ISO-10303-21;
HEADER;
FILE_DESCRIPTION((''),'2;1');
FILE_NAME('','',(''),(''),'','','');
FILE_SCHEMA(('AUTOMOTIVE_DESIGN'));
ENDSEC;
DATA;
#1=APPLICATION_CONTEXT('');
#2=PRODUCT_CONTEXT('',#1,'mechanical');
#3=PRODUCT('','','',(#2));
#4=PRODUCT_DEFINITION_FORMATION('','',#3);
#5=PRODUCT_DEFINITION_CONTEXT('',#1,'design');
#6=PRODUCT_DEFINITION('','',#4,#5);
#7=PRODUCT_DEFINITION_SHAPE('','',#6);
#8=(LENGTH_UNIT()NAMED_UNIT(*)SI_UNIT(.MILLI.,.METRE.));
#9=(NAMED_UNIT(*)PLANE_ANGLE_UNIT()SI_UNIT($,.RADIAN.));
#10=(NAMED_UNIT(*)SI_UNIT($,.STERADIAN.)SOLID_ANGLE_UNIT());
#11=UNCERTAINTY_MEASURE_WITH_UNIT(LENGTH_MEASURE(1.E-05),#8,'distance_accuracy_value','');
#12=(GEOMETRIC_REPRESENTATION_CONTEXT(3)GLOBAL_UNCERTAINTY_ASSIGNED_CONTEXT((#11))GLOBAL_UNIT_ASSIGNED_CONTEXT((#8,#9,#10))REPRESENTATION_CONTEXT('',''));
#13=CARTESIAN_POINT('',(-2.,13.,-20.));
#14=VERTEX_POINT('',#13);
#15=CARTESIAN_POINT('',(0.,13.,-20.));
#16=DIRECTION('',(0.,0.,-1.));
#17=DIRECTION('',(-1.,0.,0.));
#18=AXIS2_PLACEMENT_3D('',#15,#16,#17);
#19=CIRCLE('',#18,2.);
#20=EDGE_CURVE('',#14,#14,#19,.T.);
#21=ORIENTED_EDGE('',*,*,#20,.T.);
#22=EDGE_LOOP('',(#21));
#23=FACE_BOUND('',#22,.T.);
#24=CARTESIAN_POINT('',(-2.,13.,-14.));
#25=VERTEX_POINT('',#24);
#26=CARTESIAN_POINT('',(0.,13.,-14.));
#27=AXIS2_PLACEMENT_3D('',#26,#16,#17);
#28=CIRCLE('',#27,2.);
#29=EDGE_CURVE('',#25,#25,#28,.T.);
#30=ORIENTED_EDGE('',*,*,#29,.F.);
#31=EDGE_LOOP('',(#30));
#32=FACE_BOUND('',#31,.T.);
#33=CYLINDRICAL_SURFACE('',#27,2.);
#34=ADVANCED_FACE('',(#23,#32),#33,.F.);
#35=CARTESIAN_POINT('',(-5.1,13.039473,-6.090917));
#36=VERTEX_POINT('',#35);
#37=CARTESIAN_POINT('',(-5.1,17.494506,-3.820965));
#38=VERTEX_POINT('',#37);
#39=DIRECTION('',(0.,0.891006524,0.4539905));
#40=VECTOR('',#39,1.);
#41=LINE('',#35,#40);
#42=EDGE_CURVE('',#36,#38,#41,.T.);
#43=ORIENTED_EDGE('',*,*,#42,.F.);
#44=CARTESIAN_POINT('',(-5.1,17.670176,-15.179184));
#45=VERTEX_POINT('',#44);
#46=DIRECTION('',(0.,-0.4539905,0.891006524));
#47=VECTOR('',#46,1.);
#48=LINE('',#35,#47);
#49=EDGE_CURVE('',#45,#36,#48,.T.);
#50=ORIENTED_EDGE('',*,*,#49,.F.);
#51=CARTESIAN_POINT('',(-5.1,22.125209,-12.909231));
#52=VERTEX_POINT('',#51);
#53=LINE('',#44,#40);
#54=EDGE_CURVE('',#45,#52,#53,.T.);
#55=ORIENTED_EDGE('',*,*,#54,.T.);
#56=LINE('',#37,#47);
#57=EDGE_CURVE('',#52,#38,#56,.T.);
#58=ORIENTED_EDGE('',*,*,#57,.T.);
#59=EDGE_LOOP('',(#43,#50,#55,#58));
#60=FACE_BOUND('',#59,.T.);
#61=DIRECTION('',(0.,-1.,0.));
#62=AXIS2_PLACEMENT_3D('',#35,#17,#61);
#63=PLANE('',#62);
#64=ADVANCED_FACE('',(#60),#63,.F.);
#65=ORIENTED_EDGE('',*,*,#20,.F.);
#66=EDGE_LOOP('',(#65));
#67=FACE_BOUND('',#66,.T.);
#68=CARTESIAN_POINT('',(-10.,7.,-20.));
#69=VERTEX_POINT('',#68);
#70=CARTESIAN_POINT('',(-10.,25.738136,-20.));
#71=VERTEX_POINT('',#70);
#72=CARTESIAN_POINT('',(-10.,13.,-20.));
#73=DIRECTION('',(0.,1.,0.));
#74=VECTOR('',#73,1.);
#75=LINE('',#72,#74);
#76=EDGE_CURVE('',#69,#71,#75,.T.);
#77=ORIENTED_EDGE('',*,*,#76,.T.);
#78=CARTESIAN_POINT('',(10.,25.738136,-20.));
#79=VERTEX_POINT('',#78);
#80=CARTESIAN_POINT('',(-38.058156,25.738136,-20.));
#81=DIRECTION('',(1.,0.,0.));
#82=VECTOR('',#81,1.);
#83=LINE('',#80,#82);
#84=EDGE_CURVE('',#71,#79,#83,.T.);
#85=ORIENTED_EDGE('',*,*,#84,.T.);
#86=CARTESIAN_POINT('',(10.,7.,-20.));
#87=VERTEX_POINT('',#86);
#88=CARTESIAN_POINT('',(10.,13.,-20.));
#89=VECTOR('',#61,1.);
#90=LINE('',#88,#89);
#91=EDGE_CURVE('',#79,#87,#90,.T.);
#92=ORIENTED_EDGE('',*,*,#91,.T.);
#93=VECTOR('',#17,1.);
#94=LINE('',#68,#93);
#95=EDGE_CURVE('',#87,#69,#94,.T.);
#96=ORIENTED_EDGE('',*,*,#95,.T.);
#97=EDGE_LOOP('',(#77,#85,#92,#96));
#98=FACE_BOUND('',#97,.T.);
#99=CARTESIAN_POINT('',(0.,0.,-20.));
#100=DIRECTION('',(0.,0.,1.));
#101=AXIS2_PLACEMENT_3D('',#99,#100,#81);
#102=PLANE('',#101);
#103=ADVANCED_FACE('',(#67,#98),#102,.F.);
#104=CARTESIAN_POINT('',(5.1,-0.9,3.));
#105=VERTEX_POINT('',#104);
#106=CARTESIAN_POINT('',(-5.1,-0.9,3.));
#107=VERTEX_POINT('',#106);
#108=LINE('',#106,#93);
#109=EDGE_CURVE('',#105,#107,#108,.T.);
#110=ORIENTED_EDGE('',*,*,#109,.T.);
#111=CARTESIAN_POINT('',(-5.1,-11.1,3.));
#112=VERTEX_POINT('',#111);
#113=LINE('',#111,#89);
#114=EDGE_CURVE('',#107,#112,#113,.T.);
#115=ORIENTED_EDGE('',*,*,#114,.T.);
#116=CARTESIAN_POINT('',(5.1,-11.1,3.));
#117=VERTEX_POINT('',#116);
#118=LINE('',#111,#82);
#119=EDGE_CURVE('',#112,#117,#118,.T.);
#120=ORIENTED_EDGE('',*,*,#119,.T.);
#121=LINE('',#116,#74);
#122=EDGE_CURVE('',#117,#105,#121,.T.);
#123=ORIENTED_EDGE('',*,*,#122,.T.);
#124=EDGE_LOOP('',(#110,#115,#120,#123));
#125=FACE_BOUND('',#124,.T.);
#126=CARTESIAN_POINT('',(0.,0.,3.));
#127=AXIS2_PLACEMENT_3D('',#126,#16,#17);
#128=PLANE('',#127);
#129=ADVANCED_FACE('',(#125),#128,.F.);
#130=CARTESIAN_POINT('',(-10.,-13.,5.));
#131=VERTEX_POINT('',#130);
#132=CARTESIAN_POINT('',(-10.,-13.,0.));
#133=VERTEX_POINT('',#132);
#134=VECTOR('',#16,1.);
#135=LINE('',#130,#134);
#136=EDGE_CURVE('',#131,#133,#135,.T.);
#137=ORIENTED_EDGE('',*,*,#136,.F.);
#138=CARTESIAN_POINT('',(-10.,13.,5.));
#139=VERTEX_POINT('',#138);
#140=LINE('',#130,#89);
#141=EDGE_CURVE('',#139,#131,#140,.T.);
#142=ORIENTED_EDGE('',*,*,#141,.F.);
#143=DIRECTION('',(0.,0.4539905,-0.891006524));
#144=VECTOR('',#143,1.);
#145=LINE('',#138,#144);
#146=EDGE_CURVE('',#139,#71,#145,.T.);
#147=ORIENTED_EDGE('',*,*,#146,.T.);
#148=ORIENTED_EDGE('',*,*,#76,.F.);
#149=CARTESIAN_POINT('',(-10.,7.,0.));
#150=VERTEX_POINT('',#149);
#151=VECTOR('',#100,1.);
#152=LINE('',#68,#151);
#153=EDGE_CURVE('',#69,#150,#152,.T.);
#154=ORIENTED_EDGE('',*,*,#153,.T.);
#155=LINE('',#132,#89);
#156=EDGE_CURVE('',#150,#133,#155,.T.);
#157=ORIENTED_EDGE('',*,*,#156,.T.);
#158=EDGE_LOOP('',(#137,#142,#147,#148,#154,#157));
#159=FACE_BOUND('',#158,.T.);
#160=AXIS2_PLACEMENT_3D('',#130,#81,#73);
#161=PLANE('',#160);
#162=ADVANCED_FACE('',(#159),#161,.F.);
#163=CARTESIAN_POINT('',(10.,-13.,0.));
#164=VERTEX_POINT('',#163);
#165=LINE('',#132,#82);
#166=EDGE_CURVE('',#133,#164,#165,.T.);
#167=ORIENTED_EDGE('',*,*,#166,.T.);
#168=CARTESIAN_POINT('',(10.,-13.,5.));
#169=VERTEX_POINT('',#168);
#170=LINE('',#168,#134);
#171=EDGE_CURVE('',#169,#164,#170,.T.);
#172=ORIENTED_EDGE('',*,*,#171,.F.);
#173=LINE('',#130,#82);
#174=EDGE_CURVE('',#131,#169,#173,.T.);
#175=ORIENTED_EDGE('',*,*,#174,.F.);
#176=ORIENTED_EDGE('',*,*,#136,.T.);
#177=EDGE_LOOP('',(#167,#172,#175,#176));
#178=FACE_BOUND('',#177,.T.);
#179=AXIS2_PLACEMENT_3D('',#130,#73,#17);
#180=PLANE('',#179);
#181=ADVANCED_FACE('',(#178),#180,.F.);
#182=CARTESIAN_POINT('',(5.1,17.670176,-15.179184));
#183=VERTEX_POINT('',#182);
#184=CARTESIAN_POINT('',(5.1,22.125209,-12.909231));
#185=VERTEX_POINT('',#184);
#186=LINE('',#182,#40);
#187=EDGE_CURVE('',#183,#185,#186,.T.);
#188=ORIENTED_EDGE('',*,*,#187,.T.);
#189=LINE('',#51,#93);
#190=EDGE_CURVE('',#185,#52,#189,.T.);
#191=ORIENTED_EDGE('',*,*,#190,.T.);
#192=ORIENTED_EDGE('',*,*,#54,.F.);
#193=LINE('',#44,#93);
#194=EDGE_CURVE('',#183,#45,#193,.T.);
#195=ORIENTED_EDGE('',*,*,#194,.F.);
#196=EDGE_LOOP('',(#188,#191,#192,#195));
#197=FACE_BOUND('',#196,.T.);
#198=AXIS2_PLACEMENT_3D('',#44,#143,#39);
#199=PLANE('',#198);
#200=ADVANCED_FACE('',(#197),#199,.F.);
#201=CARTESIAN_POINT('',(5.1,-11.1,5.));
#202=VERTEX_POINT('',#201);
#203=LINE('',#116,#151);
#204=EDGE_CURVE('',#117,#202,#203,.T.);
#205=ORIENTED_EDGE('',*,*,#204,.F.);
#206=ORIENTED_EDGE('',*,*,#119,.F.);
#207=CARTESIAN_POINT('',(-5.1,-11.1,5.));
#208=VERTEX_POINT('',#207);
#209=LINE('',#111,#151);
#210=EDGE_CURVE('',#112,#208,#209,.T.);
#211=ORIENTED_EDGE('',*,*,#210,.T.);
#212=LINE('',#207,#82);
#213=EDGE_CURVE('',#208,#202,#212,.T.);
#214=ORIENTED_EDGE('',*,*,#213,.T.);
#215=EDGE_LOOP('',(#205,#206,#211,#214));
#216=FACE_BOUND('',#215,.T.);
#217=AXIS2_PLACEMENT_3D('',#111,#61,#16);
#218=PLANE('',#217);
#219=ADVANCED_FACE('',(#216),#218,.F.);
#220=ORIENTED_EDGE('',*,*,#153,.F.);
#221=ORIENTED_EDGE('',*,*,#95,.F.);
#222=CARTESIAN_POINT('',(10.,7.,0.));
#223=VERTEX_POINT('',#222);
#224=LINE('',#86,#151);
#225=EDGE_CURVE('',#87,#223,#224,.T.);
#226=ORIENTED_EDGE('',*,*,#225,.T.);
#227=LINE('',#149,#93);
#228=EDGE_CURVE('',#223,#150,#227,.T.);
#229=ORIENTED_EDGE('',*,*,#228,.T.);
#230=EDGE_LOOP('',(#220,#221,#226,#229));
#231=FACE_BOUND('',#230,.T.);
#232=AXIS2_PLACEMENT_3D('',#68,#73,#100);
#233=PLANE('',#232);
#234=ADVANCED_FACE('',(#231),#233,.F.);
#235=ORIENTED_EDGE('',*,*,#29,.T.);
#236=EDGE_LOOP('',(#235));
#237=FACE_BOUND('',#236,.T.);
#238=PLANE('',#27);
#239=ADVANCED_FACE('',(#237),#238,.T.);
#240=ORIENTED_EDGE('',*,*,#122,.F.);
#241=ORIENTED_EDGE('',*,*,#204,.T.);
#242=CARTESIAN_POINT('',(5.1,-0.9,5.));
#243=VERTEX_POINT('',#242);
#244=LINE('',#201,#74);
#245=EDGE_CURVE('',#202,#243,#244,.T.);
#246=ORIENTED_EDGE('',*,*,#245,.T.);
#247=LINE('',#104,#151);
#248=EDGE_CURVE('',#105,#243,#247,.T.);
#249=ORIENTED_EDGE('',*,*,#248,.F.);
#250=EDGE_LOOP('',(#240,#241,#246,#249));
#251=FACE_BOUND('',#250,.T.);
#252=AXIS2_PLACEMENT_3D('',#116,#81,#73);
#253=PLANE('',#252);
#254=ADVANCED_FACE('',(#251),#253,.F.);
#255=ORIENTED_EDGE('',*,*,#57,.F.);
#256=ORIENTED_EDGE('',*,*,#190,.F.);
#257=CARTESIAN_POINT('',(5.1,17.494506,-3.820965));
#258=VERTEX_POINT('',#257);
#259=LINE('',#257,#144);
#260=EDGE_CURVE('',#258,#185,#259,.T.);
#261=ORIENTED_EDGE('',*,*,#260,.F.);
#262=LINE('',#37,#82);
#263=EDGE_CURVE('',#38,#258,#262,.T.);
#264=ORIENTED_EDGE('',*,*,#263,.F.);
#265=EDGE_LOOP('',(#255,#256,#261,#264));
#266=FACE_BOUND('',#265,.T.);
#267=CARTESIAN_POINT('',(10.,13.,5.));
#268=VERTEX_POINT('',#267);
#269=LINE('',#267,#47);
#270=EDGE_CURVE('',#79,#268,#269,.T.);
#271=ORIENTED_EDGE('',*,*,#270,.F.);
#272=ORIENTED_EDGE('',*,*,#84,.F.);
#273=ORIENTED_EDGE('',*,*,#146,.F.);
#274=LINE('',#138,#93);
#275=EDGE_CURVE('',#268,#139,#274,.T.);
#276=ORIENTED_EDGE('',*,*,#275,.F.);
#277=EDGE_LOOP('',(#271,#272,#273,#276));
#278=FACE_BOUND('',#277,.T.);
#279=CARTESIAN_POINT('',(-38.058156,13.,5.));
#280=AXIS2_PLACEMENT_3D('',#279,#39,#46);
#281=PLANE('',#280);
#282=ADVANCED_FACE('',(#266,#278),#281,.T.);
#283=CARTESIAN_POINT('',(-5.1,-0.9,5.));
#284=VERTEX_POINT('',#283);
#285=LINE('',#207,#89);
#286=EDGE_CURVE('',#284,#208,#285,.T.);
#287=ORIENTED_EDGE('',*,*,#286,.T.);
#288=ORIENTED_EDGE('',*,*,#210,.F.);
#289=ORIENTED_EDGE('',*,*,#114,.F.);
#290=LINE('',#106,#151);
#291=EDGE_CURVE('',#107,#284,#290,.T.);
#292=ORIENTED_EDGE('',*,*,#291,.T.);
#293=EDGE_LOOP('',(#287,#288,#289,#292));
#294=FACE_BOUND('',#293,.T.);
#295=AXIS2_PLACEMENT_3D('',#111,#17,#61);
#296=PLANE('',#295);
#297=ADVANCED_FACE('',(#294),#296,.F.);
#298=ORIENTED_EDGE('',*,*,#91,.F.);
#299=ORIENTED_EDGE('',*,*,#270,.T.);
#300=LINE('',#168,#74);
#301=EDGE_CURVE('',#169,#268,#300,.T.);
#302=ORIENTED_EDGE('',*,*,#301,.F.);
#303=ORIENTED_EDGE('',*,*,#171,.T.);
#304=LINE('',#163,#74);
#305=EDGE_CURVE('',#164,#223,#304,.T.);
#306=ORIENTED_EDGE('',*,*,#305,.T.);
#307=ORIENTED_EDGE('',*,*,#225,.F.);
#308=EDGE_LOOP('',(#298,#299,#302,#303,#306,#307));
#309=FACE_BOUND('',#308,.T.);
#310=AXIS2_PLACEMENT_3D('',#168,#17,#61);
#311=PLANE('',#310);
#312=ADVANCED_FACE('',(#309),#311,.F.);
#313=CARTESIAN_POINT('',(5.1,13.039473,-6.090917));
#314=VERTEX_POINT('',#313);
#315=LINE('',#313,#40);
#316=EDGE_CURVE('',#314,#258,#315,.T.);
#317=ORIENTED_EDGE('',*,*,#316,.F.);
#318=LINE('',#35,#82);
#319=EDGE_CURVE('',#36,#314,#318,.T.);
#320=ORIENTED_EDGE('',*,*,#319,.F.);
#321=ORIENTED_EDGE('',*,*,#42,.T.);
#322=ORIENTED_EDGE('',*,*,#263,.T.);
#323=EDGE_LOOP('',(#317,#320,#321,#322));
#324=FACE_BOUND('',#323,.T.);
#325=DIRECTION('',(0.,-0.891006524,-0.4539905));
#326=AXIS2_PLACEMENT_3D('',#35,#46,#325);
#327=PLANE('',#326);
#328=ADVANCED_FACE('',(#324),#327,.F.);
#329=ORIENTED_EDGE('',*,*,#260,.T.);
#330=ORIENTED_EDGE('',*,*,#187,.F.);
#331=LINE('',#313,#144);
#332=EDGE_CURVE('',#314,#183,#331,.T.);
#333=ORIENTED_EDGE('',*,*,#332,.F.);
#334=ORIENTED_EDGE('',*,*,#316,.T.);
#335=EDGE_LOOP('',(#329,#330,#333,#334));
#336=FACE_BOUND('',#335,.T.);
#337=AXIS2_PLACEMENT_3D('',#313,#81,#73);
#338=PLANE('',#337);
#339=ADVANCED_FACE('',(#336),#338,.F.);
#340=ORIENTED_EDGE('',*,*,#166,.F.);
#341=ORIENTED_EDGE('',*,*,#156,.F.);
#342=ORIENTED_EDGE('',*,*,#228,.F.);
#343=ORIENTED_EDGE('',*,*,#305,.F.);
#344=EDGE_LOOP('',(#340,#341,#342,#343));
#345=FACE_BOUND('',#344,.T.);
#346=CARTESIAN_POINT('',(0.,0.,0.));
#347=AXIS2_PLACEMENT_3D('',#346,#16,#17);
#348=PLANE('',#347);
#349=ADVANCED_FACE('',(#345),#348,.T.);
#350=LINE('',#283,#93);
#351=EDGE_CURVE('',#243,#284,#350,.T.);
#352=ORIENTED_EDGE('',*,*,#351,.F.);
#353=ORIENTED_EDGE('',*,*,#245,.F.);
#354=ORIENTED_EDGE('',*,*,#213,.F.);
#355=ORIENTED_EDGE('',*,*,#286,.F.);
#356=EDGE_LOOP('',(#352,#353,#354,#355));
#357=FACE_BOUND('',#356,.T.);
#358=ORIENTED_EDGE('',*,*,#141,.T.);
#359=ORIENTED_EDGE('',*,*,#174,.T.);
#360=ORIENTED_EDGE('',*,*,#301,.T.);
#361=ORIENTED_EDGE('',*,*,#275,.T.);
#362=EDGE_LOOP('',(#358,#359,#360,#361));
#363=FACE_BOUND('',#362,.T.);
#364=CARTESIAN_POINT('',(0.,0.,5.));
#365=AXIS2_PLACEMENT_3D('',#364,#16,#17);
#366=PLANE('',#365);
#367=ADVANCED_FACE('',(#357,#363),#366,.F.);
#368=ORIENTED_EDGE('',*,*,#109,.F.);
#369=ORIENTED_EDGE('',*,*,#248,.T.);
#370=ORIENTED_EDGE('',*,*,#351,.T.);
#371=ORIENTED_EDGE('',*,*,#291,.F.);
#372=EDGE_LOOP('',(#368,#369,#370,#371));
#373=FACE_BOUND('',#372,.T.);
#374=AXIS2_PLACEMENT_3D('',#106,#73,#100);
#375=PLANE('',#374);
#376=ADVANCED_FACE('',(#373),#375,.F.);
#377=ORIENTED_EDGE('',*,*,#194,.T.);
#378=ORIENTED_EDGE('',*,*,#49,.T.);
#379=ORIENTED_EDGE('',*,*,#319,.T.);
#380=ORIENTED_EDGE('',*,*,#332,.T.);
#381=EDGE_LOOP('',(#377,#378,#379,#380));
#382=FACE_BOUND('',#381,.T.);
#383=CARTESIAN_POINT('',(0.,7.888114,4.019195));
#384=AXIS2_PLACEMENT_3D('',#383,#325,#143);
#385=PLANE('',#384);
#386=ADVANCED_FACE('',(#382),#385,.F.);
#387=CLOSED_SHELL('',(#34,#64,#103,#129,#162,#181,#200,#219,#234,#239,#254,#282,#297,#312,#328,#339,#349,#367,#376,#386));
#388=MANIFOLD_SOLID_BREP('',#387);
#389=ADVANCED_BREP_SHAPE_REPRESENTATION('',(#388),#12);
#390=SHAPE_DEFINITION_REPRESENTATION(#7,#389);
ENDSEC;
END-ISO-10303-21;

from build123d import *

# Parameters (mm, degrees)
SZKIC1_W                    = 20
SZKIC1_H                    = 26
DODANIE_WYCI_GNI_CIE1_DEPTH = 5
SZKIC2_W                    = 20
SZKIC2_H                    = 6
DODANIE_WYCI_GNI_CIE2_DEPTH = 20
SZKIC3_W                    = 10.2
SZKIC3_H                    = 10.2
WYTNIJ_WYCI_GNI_CIE1_DEPTH  = 2
DODANIE_WYCI_GNI_CIE3_DEPTH = 20
SZKIC5_W                    = 10.2
SZKIC5_H                    = 10.2
WYTNIJ_WYCI_GNI_CIE2_DEPTH  = 5
SZKIC6_R                    = 2
WYTNIJ_WYCI_GNI_CIE3_DEPTH  = 6


with BuildPart() as part:
    # Szkic1 → Dodanie-wyciągnięcie1 (new body)
    with BuildSketch(Plane.XY):
        Rectangle(SZKIC1_W, SZKIC1_H)
    extrude(amount=DODANIE_WYCI_GNI_CIE1_DEPTH)

    # Szkic2 → Dodanie-wyciągnięcie2 (add)
    with BuildSketch(Plane(origin=(0, 0, 0), x_dir=(-1, 0, 0), z_dir=(0, 0, -1))):
        with Locations((0, 10)):
            Rectangle(SZKIC2_W, SZKIC2_H)
    extrude(amount=DODANIE_WYCI_GNI_CIE2_DEPTH)

    # Szkic3 → Wytnij-wyciągnięcie1 (cut)
    with BuildSketch(Plane.XY.offset(5)):
        with Locations((0, -6)):
            Rectangle(SZKIC3_W, SZKIC3_H)
    extrude(amount=-WYTNIJ_WYCI_GNI_CIE1_DEPTH, mode=Mode.SUBTRACT)

    # Szkic4 → Dodanie-wyciągnięcie3 (add)
    with BuildSketch(Plane(origin=(10, 0, 0), x_dir=(0, 0, -1), z_dir=(1, 0, 0))):
        Polygon((-5, 13), (20, 25.738136237), (20, 13), align=None)
    extrude(amount=-DODANIE_WYCI_GNI_CIE3_DEPTH)

    # Szkic5 → Wytnij-wyciągnięcie2 (cut)
    with BuildSketch(Plane(origin=(0, 12.343146626, 6.289147333), x_dir=(1, 0, 0), z_dir=(0, 0.8910065241883706, 0.4539904997395416))):
        with Locations((0, 16.446843876)):
            Rectangle(SZKIC5_W, SZKIC5_H)
    extrude(amount=-WYTNIJ_WYCI_GNI_CIE2_DEPTH, mode=Mode.SUBTRACT)

    # Szkic6 → Wytnij-wyciągnięcie3 (cut)
    with BuildSketch(Plane(origin=(0, 0, -20), x_dir=(-1, 0, 0), z_dir=(0, 0, -1))):
        with Locations((0, 13)):
            Circle(SZKIC6_R)
    extrude(amount=-WYTNIJ_WYCI_GNI_CIE3_DEPTH, mode=Mode.SUBTRACT)


solid = part.part
